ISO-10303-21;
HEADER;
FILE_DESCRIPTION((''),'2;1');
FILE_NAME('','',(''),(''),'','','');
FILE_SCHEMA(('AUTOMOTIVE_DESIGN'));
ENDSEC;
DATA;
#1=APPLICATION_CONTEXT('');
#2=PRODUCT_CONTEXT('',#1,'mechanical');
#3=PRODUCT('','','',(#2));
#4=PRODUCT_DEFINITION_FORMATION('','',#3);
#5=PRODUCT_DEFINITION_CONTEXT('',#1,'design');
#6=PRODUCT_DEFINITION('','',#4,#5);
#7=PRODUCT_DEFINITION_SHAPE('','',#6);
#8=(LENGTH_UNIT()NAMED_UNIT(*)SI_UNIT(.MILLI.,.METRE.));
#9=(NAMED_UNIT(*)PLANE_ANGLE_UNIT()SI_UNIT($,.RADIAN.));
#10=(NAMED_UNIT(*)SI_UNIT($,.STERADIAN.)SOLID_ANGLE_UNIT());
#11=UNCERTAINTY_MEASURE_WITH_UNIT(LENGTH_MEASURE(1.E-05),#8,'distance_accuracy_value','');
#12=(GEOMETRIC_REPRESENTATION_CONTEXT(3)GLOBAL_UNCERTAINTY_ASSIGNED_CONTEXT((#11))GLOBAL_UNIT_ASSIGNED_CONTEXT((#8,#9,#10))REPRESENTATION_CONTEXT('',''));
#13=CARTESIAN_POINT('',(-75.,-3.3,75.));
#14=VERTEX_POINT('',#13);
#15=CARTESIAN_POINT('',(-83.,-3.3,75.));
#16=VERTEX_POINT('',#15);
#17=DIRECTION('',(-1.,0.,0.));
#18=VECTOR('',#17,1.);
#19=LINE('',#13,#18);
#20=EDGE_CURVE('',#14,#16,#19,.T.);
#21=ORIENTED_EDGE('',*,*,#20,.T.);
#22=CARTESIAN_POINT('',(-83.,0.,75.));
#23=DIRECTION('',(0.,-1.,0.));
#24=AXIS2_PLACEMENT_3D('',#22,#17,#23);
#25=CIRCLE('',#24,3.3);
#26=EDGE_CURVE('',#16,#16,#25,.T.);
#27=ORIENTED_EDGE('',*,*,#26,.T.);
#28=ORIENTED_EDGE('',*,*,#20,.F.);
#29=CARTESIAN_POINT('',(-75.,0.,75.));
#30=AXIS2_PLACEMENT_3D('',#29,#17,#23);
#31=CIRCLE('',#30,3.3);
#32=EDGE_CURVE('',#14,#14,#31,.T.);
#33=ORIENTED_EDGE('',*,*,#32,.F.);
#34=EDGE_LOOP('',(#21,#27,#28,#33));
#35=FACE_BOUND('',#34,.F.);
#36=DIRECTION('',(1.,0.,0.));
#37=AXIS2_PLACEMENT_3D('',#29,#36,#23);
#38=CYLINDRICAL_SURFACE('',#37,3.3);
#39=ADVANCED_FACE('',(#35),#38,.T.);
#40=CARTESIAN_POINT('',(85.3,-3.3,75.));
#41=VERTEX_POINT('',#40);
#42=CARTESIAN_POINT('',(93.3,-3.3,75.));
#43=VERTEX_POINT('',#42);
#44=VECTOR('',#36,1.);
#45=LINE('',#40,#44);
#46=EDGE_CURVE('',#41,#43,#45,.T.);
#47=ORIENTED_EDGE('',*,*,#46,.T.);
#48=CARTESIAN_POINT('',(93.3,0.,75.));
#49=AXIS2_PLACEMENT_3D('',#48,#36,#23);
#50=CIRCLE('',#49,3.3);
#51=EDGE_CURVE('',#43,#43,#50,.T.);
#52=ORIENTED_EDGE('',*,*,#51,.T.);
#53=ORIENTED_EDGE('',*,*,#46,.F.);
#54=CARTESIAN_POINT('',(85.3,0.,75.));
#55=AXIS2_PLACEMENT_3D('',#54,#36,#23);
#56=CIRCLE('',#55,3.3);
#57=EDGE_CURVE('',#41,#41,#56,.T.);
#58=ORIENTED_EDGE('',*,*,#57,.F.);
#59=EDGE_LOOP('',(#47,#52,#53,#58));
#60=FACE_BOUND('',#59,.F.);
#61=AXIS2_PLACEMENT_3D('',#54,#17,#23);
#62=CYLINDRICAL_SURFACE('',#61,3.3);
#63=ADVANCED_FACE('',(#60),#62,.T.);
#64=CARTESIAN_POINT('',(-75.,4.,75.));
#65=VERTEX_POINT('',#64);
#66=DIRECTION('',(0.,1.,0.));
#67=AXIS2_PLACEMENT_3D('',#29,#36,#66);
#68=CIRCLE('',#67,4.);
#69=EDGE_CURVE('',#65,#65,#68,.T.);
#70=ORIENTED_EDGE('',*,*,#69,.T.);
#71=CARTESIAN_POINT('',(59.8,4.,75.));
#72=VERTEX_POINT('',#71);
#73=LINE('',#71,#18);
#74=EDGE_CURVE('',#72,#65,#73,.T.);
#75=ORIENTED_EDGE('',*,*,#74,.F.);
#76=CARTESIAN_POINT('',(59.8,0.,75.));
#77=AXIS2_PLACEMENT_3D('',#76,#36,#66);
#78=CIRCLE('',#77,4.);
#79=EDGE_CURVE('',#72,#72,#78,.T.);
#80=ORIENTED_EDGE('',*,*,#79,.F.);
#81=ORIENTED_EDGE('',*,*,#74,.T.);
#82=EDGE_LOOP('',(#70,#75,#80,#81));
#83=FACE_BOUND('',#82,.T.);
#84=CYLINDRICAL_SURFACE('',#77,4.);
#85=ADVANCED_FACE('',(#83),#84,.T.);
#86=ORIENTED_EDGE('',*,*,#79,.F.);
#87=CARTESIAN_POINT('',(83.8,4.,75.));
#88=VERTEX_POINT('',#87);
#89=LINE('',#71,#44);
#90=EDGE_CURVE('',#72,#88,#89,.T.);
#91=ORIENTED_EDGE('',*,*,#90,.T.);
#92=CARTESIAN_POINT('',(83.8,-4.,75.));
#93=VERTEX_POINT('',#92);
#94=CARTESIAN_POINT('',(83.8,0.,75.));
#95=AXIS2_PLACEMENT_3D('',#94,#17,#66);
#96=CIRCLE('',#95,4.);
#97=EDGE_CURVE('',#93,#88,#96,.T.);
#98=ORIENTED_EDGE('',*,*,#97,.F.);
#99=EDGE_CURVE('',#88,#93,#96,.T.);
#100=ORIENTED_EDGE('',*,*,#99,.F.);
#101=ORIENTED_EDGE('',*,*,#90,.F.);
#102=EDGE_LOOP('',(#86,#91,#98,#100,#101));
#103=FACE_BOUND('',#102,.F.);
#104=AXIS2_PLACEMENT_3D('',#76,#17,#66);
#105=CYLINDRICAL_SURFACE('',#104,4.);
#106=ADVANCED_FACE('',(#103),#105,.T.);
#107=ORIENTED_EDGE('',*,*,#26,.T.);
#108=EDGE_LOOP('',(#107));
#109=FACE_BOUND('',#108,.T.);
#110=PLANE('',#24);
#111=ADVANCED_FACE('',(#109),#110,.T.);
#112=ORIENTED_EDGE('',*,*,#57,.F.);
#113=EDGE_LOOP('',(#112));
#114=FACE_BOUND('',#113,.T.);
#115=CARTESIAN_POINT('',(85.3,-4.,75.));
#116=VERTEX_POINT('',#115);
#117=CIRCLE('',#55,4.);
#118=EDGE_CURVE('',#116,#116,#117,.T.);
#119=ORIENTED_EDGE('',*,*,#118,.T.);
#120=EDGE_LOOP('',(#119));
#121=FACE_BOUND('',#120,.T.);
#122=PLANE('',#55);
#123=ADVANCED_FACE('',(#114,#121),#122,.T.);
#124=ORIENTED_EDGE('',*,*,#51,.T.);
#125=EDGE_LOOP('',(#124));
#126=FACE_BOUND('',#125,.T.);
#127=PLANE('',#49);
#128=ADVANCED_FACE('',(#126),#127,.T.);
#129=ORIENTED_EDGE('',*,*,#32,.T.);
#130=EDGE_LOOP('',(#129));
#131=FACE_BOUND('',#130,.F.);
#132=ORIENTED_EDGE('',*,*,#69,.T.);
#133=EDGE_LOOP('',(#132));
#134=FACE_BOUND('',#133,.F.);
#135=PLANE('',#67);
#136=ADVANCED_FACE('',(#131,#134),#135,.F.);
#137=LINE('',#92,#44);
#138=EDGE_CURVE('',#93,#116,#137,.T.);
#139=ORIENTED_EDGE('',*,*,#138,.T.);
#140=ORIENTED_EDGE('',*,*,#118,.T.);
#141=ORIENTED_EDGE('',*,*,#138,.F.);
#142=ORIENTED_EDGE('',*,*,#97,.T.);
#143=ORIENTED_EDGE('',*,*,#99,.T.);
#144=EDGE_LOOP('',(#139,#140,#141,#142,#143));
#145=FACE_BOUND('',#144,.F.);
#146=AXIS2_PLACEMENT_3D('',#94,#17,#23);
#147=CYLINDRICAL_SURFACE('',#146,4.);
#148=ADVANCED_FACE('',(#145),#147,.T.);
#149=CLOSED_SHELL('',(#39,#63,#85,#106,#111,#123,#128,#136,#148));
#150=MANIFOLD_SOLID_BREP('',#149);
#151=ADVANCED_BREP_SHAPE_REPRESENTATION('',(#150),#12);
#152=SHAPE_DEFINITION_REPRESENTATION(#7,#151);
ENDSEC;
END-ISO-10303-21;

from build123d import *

# Parameters (mm, degrees)
SKETCH053_R         = 4
PAD024_DEPTH        = 134.8
SKETCH063_R         = 3.3
PAD028_DEPTH        = 8
SKETCH064_R         = 4
PAD029_DEPTH        = 50
CYLINDER001_R       = 100
CYLINDER001_DEPTH   = 100
CYLINDER001_FACE6_R = 4
PAD032_DEPTH        = 1.5
CYLINDER002_R       = 3.3
CYLINDER002_DEPTH   = 8


with BuildPart() as part:
    # Sketch053 (on Face1 of ShapeBinder012) → Pad024 (new body)
    with BuildSketch(Plane.YZ.offset(59.8)):
        with Locations((0, 75)):
            Circle(SKETCH053_R)
    extrude(amount=-PAD024_DEPTH)

    # Sketch063 (on Face3 of Pad024) → Pad028 (join)
    with BuildSketch(Plane(origin=(-75, 0, 0), x_dir=(0, -1, 0), z_dir=(-1, 0, 0))):
        with Locations((0, 75)):
            Circle(SKETCH063_R)
    extrude(amount=PAD028_DEPTH)

    # Sketch064 (on Face2 of Pad028) → Pad029 (join)
    with BuildSketch(Plane.YZ.offset(59.8)):
        with Locations((0, 75)):
            Circle(SKETCH064_R)
    extrude(amount=PAD029_DEPTH)

    # Cylinder001 → Cylinder001 (cut)
    with BuildSketch(Plane(origin=(83.8, 0, 75), x_dir=(0, -1, 0), z_dir=(1, 0, 0))):
        Circle(CYLINDER001_R)
    extrude(amount=CYLINDER001_DEPTH, mode=Mode.SUBTRACT)

    # Cylinder001 Face6 → Pad032 (add)
    with BuildSketch(Plane(origin=(83.8, 0, 75), x_dir=(0, -1, 0), z_dir=(1, 0, 0))):
        Circle(CYLINDER001_FACE6_R)
    extrude(amount=PAD032_DEPTH)

    # Cylinder002 → Cylinder002 (join)
    with BuildSketch(Plane(origin=(85.3, 0, 75), x_dir=(0, -1, 0), z_dir=(1, 0, 0))):
        Circle(CYLINDER002_R)
    extrude(amount=CYLINDER002_DEPTH)


solid = part.part
